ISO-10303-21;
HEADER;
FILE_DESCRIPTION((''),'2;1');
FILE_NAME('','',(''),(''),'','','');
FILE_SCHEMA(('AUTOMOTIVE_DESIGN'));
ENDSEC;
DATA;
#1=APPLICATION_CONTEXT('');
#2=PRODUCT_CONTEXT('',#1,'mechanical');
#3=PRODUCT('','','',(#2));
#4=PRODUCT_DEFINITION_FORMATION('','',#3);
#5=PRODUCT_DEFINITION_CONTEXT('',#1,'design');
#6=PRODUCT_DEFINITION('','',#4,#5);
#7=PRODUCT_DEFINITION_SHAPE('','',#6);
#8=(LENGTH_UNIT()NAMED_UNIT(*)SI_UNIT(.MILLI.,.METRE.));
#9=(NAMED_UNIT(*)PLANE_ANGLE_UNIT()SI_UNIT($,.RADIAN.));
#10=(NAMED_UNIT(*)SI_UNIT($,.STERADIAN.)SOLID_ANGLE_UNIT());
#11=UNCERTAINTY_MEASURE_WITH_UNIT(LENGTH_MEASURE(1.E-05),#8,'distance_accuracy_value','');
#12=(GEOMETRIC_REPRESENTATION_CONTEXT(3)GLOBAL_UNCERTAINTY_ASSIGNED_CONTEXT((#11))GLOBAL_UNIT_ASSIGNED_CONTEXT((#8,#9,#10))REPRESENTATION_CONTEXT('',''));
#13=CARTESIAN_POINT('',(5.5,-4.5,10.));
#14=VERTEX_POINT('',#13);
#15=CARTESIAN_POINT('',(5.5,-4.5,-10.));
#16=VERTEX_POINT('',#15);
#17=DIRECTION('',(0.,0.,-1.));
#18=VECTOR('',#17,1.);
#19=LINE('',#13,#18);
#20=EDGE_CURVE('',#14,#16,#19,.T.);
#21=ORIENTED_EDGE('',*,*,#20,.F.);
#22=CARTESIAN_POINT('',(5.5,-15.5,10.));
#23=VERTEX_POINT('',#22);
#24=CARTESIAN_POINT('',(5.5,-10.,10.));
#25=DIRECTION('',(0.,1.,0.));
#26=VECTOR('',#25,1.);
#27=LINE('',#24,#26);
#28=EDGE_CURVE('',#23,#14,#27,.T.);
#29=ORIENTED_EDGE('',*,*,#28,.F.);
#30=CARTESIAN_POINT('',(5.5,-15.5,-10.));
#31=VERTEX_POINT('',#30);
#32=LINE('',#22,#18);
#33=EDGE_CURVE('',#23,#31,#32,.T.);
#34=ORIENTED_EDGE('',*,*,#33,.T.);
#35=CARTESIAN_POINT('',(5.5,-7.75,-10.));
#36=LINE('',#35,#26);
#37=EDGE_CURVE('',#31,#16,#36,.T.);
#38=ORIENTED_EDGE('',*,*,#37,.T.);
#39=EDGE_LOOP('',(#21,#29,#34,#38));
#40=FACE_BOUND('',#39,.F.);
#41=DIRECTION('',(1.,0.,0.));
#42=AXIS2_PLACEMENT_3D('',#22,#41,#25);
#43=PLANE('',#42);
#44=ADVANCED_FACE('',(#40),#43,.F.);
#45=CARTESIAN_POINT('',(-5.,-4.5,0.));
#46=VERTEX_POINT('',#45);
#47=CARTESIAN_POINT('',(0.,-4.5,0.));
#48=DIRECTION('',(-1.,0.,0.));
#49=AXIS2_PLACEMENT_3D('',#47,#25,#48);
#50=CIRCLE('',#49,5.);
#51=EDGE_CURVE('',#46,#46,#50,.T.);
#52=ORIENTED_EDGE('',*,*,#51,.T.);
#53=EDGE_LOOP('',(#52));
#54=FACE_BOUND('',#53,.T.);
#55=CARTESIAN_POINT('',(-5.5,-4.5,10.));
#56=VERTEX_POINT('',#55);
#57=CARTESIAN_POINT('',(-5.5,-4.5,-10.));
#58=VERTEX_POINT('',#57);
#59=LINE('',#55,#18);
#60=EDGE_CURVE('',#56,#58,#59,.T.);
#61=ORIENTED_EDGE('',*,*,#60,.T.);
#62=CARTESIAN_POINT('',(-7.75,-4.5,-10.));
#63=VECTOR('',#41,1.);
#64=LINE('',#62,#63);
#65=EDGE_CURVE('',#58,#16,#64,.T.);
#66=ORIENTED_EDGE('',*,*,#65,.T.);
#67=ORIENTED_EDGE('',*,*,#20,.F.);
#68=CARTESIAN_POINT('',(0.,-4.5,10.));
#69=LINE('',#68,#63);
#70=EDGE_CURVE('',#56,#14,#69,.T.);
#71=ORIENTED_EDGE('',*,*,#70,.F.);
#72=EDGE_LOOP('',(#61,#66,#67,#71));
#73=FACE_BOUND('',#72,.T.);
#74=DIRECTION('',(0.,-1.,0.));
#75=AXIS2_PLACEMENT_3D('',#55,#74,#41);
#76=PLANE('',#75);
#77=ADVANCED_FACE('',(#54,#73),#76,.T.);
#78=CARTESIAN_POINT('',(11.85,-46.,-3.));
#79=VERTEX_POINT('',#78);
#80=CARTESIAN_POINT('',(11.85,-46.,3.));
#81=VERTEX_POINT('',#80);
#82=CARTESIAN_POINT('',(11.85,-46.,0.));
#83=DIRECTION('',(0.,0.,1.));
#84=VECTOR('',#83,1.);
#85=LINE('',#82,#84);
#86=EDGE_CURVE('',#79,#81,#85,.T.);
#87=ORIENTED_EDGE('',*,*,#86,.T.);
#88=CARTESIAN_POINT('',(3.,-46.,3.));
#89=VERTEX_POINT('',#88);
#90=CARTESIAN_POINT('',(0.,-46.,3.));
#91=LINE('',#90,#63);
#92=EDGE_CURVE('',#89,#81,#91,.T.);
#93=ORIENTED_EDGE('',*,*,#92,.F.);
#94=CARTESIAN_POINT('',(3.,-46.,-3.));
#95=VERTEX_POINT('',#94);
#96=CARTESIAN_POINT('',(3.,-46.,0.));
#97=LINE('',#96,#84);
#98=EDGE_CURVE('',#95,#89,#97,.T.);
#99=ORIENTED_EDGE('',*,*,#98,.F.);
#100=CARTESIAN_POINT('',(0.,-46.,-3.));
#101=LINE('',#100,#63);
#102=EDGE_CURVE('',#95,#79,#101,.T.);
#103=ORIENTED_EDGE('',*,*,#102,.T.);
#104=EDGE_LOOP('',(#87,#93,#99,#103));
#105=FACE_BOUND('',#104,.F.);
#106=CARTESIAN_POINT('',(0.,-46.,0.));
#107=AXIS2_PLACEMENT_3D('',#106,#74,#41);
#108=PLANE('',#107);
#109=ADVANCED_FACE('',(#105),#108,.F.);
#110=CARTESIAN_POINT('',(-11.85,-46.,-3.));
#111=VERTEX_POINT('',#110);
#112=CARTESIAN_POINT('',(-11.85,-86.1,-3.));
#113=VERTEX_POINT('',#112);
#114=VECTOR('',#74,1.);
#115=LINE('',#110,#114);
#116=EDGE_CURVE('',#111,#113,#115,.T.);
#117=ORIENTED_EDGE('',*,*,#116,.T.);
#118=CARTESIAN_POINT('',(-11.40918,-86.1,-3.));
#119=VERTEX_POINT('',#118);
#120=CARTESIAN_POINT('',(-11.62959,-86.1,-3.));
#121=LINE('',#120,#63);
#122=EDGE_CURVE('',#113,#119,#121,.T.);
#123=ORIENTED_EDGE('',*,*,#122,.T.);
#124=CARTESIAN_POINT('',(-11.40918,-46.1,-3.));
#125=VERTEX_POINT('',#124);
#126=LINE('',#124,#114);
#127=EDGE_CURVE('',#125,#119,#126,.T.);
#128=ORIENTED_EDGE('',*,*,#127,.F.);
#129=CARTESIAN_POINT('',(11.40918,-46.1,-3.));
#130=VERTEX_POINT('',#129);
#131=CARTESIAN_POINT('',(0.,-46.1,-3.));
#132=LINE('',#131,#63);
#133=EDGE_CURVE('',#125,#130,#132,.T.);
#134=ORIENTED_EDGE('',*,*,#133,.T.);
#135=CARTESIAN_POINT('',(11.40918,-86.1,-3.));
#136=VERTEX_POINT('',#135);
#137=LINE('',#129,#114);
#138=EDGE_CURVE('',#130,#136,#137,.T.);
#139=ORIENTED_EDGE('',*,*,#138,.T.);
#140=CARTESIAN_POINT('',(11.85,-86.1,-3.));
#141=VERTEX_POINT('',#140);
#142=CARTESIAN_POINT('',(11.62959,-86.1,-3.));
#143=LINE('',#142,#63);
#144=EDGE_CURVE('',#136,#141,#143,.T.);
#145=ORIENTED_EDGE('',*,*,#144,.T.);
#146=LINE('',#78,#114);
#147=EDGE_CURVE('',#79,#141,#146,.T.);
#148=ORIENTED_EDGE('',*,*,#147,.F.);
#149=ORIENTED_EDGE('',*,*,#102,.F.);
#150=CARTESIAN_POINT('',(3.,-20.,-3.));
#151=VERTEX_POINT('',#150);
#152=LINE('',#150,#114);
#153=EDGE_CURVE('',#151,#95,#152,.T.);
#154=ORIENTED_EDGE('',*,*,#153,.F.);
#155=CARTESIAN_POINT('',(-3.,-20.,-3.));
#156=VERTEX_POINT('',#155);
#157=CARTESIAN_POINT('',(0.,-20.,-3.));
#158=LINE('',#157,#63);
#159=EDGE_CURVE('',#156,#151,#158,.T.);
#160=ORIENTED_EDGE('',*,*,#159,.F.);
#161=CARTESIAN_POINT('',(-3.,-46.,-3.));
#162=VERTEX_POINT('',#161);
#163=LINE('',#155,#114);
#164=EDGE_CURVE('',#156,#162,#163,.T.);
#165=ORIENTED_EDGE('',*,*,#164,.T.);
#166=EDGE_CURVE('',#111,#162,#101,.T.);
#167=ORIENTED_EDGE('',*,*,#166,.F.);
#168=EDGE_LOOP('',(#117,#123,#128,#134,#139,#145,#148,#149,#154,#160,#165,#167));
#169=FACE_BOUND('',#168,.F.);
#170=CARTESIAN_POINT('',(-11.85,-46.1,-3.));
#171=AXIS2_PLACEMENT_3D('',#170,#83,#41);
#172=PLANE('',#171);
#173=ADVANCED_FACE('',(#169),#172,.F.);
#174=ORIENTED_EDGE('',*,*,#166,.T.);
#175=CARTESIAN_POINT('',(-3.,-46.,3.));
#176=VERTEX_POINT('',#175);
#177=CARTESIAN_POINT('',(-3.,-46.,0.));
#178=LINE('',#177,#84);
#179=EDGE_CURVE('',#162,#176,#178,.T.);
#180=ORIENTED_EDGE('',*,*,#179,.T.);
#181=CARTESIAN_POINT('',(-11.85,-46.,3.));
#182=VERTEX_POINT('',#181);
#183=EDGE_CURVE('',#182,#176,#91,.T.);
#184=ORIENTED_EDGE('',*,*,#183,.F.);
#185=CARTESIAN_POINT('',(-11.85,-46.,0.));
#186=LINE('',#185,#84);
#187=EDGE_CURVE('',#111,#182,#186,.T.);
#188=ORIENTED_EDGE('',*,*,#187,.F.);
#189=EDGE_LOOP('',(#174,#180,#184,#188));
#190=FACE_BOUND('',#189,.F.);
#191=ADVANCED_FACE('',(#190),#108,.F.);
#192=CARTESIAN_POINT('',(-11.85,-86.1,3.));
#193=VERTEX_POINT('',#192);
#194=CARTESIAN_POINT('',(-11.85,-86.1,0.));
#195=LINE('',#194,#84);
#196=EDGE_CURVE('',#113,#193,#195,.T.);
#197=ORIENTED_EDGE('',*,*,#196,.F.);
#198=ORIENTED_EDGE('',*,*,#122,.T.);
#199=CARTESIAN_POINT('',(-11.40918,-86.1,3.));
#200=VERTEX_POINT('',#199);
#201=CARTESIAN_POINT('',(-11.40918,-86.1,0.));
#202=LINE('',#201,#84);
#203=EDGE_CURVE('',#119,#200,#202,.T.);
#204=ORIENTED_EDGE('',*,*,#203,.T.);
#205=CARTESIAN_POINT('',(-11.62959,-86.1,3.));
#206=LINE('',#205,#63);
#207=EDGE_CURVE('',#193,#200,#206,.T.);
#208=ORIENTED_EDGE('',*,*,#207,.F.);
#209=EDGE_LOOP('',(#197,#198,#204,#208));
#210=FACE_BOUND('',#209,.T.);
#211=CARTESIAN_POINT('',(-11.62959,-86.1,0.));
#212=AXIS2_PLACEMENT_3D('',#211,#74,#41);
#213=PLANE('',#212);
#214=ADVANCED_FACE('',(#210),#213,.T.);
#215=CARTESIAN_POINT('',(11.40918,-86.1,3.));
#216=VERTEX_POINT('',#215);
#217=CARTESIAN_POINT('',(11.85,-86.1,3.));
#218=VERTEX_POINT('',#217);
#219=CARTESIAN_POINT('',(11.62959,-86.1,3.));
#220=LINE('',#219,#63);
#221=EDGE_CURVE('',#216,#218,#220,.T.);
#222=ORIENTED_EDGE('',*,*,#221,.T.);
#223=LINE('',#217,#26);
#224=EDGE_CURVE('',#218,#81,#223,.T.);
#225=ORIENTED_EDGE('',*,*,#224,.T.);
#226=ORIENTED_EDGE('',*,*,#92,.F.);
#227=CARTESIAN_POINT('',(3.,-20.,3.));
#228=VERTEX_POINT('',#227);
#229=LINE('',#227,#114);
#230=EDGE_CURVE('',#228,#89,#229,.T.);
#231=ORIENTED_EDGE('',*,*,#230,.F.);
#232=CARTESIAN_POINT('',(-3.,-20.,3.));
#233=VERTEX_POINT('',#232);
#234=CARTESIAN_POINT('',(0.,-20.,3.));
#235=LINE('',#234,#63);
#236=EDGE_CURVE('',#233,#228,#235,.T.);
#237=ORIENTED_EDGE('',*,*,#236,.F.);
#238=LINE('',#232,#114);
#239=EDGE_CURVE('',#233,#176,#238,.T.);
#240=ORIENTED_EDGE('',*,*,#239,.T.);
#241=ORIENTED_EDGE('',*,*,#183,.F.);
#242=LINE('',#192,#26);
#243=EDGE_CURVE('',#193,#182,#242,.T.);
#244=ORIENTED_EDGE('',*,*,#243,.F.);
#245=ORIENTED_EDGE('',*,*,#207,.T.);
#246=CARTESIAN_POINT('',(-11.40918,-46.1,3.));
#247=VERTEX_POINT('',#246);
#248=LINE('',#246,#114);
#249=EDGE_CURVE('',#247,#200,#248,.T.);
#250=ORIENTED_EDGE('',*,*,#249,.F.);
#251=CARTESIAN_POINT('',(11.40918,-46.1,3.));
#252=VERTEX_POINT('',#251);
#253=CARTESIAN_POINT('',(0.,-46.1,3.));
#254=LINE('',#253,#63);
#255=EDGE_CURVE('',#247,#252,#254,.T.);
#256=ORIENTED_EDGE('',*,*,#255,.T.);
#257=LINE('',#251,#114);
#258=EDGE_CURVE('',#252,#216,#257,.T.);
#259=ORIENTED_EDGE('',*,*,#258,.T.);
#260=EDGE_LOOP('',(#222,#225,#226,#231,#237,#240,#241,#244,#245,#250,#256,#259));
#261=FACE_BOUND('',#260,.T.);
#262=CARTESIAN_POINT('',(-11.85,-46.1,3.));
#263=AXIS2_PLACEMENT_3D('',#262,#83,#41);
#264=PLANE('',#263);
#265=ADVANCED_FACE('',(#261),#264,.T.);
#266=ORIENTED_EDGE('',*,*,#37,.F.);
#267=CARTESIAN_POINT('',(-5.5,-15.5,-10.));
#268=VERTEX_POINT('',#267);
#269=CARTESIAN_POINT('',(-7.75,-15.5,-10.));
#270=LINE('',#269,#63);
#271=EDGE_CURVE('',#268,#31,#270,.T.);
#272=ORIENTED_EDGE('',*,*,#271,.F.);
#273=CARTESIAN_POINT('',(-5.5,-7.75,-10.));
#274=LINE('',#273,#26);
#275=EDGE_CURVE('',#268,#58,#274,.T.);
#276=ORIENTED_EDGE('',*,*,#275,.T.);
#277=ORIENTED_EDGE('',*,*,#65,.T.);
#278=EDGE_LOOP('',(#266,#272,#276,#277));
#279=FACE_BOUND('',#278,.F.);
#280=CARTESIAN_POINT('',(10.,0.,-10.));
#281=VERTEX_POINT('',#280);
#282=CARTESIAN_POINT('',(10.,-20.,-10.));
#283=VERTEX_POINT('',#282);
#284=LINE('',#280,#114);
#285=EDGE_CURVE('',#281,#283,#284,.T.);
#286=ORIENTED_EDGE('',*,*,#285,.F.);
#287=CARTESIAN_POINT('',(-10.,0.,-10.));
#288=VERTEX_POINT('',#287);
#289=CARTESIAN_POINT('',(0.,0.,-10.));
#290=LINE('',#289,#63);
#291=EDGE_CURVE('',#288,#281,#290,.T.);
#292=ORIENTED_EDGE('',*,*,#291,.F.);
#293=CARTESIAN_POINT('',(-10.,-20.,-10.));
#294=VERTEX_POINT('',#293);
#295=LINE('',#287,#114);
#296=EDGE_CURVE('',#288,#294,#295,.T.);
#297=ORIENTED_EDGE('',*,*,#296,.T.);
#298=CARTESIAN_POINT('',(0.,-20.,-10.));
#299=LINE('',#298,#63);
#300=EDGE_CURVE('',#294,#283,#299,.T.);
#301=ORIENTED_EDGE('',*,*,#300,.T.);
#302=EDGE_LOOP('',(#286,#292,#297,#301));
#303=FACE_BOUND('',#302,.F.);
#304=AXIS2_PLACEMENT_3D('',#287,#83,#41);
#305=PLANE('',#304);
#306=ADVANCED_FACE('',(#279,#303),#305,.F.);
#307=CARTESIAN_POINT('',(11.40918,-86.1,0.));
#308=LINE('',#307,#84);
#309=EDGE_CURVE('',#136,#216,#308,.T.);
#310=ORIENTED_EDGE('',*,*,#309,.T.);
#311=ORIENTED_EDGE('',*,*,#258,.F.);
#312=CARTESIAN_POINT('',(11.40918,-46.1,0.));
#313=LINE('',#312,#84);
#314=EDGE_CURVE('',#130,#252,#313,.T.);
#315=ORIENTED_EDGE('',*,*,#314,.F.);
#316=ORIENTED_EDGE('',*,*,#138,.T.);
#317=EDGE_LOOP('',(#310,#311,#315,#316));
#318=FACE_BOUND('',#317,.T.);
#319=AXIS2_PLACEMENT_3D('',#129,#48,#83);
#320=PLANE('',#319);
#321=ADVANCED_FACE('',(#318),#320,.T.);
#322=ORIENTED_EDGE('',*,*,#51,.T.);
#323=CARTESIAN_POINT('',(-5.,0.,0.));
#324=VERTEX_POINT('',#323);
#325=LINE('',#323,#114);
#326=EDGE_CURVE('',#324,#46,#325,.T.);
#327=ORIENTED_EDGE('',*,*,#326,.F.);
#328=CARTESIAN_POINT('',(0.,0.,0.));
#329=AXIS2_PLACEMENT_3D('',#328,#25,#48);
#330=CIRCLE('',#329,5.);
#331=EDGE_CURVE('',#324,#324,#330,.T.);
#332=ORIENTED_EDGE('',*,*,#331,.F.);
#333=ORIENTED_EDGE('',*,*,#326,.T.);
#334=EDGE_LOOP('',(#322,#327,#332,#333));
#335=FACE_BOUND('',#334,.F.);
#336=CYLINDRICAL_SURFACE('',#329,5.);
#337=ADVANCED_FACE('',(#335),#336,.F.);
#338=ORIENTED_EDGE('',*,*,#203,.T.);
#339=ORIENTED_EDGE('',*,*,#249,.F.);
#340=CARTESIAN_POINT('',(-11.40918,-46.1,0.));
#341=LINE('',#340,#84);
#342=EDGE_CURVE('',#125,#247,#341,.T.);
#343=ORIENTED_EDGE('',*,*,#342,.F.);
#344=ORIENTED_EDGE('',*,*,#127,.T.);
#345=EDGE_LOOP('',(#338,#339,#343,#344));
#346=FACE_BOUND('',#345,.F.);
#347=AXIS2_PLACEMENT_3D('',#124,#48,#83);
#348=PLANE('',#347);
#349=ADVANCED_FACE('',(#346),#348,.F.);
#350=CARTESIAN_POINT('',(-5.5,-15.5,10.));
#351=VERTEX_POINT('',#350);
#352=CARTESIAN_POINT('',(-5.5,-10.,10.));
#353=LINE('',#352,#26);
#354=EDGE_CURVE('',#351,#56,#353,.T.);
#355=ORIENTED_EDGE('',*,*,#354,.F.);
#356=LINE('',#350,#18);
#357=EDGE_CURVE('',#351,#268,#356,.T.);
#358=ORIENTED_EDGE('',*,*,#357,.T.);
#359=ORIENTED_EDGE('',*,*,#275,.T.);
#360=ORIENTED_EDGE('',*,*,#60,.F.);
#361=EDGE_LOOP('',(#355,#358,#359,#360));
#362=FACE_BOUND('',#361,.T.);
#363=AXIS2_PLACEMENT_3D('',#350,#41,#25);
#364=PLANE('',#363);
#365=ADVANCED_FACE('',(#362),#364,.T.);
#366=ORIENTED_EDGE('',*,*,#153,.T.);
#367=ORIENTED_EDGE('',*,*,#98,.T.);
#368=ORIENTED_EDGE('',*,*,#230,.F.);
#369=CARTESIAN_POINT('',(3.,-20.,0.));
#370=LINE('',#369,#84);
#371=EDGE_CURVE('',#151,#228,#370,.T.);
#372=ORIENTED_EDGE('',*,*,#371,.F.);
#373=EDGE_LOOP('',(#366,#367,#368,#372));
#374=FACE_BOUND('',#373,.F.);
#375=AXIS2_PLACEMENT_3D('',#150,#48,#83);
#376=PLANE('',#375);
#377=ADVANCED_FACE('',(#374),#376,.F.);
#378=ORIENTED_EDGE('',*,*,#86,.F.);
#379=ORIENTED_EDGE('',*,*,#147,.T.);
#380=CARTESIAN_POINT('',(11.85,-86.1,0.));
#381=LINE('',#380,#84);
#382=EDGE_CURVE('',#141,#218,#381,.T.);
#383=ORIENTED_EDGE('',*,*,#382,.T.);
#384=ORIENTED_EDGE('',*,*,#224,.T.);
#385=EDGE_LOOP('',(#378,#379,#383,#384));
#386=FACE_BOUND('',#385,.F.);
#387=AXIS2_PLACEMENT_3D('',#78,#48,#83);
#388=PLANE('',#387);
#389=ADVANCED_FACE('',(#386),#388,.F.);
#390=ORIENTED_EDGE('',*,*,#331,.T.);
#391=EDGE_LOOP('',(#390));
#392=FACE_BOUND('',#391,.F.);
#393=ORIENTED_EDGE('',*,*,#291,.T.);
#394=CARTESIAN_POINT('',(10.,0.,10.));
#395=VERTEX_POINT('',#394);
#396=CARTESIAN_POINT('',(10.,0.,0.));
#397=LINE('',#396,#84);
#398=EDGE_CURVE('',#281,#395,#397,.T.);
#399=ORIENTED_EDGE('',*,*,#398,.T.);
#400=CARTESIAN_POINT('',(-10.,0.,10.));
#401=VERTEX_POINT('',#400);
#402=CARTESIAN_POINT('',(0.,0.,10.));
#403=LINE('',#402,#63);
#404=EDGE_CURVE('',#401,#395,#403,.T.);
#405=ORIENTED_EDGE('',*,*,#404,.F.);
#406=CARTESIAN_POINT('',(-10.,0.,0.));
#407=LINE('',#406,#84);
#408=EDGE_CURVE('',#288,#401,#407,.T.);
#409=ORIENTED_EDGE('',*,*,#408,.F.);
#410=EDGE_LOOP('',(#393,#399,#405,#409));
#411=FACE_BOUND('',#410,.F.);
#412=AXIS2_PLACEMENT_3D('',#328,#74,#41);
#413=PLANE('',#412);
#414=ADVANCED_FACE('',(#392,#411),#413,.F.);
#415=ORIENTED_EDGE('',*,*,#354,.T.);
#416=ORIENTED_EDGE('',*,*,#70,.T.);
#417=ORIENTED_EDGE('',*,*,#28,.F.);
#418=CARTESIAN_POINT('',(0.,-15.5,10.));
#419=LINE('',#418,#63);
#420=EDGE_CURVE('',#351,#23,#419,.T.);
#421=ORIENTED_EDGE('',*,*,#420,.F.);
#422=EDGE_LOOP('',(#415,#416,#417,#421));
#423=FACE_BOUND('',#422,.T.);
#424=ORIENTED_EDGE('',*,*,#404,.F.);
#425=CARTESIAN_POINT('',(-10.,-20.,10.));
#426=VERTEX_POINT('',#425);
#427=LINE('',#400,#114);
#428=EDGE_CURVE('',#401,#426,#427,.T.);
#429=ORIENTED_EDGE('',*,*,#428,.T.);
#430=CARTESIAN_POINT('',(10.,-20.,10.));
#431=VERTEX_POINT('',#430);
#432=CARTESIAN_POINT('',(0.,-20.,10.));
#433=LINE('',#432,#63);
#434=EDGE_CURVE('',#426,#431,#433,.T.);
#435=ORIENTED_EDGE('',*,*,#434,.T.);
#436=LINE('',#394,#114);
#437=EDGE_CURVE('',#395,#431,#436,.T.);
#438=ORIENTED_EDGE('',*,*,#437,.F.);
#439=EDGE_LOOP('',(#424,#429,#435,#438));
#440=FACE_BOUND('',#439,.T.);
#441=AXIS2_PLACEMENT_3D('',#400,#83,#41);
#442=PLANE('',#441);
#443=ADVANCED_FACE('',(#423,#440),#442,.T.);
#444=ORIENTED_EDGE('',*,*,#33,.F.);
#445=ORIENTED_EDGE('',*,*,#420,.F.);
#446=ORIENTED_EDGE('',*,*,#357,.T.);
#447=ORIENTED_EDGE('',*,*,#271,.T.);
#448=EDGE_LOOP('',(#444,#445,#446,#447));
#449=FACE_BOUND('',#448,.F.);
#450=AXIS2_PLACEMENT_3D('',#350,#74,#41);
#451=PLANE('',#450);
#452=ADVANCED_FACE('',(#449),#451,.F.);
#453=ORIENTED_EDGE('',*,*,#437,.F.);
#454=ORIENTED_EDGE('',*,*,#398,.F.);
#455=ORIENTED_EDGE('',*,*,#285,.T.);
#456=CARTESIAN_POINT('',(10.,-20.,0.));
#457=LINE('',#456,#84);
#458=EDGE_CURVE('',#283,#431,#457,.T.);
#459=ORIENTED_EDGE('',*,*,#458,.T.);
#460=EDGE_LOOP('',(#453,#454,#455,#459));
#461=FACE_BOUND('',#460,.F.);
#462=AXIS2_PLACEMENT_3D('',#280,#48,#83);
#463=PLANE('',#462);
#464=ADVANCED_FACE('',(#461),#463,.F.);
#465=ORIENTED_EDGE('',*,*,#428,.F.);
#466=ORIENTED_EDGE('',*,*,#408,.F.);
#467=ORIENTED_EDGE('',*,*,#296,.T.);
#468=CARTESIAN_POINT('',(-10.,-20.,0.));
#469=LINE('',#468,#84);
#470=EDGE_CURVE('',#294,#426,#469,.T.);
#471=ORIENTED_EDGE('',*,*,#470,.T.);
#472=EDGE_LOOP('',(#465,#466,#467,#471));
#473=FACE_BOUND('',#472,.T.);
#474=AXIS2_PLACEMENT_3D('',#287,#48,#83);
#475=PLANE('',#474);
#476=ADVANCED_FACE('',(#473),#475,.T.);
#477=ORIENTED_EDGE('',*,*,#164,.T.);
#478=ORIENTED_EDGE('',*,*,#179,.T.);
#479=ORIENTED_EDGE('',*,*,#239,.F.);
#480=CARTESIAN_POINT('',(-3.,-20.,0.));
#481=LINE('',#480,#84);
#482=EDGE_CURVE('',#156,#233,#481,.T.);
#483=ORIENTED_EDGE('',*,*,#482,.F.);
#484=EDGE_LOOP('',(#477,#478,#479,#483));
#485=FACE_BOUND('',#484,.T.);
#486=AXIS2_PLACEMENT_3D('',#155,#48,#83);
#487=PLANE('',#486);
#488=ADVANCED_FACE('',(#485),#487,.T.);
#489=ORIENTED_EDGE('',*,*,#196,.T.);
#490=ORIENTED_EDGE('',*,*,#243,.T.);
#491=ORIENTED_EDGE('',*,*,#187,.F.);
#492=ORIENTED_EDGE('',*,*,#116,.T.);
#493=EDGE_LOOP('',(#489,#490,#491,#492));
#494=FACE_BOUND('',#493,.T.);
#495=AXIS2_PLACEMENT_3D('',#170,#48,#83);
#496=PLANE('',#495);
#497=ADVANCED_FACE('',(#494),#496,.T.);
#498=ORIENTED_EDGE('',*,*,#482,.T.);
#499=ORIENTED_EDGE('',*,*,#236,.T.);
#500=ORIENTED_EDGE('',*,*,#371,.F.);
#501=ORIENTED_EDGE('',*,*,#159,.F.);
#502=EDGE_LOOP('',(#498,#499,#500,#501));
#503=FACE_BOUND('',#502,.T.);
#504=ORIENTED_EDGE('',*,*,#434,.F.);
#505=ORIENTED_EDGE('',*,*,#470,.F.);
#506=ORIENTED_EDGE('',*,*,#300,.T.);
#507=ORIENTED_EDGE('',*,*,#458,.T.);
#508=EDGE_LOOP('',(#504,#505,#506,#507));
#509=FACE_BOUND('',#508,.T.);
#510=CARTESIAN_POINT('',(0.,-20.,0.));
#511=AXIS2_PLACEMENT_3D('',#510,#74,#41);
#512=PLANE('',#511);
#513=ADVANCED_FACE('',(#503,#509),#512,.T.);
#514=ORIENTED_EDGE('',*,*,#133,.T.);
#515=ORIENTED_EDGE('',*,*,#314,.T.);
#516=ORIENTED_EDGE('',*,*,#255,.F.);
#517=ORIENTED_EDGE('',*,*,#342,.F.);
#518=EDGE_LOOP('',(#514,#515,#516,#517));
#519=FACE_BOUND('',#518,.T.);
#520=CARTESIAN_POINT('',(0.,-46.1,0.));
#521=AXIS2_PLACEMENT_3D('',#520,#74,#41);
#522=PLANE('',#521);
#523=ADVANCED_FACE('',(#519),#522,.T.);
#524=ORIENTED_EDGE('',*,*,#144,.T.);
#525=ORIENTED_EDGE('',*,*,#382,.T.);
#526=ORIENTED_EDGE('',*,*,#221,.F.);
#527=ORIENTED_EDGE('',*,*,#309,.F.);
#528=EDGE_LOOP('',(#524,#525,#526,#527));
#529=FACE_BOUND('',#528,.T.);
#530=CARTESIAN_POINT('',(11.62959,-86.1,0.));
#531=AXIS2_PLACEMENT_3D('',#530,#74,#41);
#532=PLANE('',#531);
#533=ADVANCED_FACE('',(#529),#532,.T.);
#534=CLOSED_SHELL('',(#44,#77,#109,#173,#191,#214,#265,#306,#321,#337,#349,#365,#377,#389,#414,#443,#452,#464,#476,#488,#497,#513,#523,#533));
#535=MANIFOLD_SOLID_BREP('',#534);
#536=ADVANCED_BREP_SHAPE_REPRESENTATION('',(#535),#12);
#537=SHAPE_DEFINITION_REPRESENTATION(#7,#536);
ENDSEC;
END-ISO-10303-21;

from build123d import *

# Parameters (mm, degrees)
F0_W      = 20
F0_H      = 20
F1_DEPTH  = 20
F2_W      = 11
F2_H      = 11
F3_DEPTH  = 25
F4_W      = 6
F4_H      = 6
F5_DEPTH  = 26
F6_W      = 23.7
F6_H      = 6
F7_DEPTH  = 0.1
F8_W      = 0.44082
F8_H      = 6
F9_DEPTH  = 40
F10_R     = 5
F11_DEPTH = 10


with BuildPart() as f1:
    # F0 (on Front) → F1 (new body)
    with BuildSketch(Plane.XZ):
        Rectangle(F0_W, F0_H)
    extrude(amount=F1_DEPTH)

    # F2 (on face) → F3 (cut)
    with BuildSketch(Plane.XY.offset(10)):
        with Locations((0, -10)):
            Rectangle(F2_W, F2_H)
    extrude(amount=-F3_DEPTH, mode=Mode.SUBTRACT)

    # F4 (on face) → F5 (join)
    with BuildSketch(Plane.XZ.offset(20)):
        Rectangle(F4_W, F4_H)
    extrude(amount=F5_DEPTH)

    # F6 (on face) → F7 (join)
    with BuildSketch(Plane.XZ.offset(46)):
        Rectangle(F6_W, F6_H)
    extrude(amount=F7_DEPTH)

    # F8 (on face) → F9 (join)
    with BuildSketch(Plane.XZ.offset(46.1)):
        with Locations((-11.62959, 0)):
            Rectangle(F8_W, F8_H)
        with Locations((11.62959, 0)):
            Rectangle(F8_W, F8_H)
    extrude(amount=F9_DEPTH)

    # F10 (on face) → F11 (cut)
    with BuildSketch(Plane(origin=(0, 0, 0), x_dir=(-1, 0, 0), z_dir=(0, 1, 0))):
        Circle(F10_R)
    extrude(amount=-F11_DEPTH, mode=Mode.SUBTRACT)


solid = f1.part
